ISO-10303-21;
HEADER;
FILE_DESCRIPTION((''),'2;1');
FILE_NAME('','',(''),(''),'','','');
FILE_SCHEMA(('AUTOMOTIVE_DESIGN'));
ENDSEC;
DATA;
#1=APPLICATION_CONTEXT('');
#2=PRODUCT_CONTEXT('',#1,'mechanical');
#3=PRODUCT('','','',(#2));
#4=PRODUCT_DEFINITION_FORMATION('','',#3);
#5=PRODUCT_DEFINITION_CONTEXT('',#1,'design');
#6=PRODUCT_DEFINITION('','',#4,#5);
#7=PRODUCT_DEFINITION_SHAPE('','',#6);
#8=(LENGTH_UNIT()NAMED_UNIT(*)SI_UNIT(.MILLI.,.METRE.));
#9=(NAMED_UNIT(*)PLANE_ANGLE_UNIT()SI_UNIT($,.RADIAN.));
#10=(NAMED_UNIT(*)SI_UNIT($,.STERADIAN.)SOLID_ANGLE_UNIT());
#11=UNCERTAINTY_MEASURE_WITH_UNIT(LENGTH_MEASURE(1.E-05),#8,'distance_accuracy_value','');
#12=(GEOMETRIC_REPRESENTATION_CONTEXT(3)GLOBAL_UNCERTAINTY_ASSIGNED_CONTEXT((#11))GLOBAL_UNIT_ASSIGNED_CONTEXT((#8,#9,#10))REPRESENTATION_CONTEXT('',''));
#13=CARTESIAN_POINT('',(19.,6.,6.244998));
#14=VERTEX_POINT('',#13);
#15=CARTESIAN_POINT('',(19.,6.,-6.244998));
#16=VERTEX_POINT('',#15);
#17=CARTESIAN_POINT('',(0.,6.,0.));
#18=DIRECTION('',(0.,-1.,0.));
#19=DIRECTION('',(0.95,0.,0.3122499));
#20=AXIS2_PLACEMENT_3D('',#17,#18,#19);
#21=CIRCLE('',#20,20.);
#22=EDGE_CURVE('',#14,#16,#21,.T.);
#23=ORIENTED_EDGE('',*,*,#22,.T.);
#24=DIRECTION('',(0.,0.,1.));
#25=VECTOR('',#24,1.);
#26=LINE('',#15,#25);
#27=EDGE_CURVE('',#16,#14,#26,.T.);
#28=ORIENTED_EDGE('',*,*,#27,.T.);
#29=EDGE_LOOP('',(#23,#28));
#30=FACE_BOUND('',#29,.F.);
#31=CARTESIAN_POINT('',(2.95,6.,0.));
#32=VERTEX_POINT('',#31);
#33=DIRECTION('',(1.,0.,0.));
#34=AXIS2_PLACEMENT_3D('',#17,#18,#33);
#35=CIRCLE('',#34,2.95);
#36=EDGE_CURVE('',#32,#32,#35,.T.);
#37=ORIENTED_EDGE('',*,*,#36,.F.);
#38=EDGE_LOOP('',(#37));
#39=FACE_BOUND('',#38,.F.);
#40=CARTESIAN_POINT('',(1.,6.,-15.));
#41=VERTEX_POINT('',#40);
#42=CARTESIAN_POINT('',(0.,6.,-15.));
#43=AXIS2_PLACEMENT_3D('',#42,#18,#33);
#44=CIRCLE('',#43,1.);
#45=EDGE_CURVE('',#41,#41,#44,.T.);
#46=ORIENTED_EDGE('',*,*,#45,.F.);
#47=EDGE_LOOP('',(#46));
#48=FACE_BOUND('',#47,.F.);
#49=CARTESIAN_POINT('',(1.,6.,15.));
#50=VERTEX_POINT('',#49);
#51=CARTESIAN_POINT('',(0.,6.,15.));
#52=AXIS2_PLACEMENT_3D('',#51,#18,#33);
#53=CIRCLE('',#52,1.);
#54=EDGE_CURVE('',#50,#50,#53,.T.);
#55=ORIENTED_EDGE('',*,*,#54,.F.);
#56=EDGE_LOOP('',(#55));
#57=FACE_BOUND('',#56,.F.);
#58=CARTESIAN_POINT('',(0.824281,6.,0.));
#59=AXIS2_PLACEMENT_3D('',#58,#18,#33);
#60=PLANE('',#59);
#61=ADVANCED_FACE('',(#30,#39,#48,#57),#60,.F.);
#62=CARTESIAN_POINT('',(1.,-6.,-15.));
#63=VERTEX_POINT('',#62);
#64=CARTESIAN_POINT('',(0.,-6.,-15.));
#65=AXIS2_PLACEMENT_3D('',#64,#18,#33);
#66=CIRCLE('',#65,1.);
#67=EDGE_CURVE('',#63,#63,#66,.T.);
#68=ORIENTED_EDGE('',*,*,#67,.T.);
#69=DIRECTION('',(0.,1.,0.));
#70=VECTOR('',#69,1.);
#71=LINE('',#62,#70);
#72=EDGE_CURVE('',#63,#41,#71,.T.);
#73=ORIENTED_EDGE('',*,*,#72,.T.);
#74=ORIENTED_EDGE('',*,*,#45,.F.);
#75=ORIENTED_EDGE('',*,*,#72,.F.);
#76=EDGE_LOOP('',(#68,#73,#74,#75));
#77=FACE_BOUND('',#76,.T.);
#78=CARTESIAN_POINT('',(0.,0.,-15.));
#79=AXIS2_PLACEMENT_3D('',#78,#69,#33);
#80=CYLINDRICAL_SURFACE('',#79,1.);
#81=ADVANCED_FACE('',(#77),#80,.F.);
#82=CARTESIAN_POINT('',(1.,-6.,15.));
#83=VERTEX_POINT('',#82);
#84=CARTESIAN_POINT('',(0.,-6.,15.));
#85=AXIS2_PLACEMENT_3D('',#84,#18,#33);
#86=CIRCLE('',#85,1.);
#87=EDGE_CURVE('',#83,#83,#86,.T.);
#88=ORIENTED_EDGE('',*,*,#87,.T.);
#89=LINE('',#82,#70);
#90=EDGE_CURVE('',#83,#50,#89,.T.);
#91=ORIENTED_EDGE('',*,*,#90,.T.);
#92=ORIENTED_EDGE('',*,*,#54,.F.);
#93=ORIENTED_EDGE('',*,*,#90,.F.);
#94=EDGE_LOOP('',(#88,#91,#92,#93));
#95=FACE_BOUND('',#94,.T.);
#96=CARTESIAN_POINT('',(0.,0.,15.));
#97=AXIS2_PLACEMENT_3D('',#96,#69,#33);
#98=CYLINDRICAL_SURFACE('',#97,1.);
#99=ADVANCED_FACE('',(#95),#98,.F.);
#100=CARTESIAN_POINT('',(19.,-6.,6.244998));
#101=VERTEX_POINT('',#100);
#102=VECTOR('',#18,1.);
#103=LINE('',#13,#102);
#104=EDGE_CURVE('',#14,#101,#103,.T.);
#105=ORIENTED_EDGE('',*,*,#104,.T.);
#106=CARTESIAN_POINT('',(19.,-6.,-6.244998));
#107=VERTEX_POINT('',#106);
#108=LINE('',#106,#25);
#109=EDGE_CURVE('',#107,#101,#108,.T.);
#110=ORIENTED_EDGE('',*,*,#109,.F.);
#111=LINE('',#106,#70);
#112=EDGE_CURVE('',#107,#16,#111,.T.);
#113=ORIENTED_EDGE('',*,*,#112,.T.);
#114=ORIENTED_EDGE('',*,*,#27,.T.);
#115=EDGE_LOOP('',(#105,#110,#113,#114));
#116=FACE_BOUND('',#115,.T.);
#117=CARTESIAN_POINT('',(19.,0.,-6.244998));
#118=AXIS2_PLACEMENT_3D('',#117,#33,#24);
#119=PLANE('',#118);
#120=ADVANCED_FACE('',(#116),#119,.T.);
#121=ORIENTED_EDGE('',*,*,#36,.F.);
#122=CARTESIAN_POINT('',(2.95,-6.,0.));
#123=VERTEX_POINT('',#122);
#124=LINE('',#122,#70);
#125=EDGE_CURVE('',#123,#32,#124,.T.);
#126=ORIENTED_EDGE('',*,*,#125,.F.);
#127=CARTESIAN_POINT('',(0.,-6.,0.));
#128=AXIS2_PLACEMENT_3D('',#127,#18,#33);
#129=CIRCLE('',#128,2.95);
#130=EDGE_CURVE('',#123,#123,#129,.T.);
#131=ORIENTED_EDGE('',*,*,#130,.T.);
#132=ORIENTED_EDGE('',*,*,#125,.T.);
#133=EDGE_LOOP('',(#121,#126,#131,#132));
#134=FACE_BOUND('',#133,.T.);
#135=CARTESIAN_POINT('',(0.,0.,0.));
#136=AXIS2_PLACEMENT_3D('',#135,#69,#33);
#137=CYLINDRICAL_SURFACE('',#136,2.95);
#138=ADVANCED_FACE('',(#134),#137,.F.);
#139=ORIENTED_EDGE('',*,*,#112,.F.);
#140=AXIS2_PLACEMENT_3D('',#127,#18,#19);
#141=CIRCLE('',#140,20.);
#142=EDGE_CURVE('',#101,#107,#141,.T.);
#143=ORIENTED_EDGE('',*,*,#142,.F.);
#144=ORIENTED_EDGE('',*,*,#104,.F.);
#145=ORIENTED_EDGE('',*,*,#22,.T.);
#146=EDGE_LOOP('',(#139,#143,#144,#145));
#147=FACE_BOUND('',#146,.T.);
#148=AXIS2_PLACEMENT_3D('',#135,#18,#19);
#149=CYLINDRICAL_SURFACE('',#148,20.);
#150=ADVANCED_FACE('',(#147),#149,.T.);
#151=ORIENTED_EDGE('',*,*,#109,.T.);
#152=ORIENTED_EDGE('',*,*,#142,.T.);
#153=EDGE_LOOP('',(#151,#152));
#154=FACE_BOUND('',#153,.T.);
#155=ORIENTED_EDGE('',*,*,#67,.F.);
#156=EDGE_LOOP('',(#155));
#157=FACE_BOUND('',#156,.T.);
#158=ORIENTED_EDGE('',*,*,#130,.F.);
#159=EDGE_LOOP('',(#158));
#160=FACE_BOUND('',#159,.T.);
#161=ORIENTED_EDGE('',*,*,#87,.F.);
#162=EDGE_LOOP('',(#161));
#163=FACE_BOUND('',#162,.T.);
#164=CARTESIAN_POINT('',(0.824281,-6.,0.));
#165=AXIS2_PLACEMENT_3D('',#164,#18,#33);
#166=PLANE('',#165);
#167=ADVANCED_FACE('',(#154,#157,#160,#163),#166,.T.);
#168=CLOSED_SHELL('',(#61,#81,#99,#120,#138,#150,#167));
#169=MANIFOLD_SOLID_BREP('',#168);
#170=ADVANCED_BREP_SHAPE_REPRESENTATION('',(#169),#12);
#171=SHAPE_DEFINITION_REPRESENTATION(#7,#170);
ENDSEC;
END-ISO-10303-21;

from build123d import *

# Parameters (mm, degrees)
F0_R     = 1
F0_R_2   = 2.95
F1_DEPTH = 6


with BuildPart() as f1:
    # F0 (on Front) → F1 (new body, symmetric)
    with BuildSketch(Plane.XZ):
        with BuildLine():
            Line((19, -6.244998), (19, 6.244998))
            ThreePointArc((19, 6.244998), (-20, 0), (19, -6.244998))
        make_face()
        with Locations((0, -15)):
            Circle(F0_R, mode=Mode.SUBTRACT)
        Circle(F0_R_2, mode=Mode.SUBTRACT)
        with Locations((0, 15)):
            Circle(F0_R, mode=Mode.SUBTRACT)
    extrude(amount=F1_DEPTH, both=True)


solid = f1.part
